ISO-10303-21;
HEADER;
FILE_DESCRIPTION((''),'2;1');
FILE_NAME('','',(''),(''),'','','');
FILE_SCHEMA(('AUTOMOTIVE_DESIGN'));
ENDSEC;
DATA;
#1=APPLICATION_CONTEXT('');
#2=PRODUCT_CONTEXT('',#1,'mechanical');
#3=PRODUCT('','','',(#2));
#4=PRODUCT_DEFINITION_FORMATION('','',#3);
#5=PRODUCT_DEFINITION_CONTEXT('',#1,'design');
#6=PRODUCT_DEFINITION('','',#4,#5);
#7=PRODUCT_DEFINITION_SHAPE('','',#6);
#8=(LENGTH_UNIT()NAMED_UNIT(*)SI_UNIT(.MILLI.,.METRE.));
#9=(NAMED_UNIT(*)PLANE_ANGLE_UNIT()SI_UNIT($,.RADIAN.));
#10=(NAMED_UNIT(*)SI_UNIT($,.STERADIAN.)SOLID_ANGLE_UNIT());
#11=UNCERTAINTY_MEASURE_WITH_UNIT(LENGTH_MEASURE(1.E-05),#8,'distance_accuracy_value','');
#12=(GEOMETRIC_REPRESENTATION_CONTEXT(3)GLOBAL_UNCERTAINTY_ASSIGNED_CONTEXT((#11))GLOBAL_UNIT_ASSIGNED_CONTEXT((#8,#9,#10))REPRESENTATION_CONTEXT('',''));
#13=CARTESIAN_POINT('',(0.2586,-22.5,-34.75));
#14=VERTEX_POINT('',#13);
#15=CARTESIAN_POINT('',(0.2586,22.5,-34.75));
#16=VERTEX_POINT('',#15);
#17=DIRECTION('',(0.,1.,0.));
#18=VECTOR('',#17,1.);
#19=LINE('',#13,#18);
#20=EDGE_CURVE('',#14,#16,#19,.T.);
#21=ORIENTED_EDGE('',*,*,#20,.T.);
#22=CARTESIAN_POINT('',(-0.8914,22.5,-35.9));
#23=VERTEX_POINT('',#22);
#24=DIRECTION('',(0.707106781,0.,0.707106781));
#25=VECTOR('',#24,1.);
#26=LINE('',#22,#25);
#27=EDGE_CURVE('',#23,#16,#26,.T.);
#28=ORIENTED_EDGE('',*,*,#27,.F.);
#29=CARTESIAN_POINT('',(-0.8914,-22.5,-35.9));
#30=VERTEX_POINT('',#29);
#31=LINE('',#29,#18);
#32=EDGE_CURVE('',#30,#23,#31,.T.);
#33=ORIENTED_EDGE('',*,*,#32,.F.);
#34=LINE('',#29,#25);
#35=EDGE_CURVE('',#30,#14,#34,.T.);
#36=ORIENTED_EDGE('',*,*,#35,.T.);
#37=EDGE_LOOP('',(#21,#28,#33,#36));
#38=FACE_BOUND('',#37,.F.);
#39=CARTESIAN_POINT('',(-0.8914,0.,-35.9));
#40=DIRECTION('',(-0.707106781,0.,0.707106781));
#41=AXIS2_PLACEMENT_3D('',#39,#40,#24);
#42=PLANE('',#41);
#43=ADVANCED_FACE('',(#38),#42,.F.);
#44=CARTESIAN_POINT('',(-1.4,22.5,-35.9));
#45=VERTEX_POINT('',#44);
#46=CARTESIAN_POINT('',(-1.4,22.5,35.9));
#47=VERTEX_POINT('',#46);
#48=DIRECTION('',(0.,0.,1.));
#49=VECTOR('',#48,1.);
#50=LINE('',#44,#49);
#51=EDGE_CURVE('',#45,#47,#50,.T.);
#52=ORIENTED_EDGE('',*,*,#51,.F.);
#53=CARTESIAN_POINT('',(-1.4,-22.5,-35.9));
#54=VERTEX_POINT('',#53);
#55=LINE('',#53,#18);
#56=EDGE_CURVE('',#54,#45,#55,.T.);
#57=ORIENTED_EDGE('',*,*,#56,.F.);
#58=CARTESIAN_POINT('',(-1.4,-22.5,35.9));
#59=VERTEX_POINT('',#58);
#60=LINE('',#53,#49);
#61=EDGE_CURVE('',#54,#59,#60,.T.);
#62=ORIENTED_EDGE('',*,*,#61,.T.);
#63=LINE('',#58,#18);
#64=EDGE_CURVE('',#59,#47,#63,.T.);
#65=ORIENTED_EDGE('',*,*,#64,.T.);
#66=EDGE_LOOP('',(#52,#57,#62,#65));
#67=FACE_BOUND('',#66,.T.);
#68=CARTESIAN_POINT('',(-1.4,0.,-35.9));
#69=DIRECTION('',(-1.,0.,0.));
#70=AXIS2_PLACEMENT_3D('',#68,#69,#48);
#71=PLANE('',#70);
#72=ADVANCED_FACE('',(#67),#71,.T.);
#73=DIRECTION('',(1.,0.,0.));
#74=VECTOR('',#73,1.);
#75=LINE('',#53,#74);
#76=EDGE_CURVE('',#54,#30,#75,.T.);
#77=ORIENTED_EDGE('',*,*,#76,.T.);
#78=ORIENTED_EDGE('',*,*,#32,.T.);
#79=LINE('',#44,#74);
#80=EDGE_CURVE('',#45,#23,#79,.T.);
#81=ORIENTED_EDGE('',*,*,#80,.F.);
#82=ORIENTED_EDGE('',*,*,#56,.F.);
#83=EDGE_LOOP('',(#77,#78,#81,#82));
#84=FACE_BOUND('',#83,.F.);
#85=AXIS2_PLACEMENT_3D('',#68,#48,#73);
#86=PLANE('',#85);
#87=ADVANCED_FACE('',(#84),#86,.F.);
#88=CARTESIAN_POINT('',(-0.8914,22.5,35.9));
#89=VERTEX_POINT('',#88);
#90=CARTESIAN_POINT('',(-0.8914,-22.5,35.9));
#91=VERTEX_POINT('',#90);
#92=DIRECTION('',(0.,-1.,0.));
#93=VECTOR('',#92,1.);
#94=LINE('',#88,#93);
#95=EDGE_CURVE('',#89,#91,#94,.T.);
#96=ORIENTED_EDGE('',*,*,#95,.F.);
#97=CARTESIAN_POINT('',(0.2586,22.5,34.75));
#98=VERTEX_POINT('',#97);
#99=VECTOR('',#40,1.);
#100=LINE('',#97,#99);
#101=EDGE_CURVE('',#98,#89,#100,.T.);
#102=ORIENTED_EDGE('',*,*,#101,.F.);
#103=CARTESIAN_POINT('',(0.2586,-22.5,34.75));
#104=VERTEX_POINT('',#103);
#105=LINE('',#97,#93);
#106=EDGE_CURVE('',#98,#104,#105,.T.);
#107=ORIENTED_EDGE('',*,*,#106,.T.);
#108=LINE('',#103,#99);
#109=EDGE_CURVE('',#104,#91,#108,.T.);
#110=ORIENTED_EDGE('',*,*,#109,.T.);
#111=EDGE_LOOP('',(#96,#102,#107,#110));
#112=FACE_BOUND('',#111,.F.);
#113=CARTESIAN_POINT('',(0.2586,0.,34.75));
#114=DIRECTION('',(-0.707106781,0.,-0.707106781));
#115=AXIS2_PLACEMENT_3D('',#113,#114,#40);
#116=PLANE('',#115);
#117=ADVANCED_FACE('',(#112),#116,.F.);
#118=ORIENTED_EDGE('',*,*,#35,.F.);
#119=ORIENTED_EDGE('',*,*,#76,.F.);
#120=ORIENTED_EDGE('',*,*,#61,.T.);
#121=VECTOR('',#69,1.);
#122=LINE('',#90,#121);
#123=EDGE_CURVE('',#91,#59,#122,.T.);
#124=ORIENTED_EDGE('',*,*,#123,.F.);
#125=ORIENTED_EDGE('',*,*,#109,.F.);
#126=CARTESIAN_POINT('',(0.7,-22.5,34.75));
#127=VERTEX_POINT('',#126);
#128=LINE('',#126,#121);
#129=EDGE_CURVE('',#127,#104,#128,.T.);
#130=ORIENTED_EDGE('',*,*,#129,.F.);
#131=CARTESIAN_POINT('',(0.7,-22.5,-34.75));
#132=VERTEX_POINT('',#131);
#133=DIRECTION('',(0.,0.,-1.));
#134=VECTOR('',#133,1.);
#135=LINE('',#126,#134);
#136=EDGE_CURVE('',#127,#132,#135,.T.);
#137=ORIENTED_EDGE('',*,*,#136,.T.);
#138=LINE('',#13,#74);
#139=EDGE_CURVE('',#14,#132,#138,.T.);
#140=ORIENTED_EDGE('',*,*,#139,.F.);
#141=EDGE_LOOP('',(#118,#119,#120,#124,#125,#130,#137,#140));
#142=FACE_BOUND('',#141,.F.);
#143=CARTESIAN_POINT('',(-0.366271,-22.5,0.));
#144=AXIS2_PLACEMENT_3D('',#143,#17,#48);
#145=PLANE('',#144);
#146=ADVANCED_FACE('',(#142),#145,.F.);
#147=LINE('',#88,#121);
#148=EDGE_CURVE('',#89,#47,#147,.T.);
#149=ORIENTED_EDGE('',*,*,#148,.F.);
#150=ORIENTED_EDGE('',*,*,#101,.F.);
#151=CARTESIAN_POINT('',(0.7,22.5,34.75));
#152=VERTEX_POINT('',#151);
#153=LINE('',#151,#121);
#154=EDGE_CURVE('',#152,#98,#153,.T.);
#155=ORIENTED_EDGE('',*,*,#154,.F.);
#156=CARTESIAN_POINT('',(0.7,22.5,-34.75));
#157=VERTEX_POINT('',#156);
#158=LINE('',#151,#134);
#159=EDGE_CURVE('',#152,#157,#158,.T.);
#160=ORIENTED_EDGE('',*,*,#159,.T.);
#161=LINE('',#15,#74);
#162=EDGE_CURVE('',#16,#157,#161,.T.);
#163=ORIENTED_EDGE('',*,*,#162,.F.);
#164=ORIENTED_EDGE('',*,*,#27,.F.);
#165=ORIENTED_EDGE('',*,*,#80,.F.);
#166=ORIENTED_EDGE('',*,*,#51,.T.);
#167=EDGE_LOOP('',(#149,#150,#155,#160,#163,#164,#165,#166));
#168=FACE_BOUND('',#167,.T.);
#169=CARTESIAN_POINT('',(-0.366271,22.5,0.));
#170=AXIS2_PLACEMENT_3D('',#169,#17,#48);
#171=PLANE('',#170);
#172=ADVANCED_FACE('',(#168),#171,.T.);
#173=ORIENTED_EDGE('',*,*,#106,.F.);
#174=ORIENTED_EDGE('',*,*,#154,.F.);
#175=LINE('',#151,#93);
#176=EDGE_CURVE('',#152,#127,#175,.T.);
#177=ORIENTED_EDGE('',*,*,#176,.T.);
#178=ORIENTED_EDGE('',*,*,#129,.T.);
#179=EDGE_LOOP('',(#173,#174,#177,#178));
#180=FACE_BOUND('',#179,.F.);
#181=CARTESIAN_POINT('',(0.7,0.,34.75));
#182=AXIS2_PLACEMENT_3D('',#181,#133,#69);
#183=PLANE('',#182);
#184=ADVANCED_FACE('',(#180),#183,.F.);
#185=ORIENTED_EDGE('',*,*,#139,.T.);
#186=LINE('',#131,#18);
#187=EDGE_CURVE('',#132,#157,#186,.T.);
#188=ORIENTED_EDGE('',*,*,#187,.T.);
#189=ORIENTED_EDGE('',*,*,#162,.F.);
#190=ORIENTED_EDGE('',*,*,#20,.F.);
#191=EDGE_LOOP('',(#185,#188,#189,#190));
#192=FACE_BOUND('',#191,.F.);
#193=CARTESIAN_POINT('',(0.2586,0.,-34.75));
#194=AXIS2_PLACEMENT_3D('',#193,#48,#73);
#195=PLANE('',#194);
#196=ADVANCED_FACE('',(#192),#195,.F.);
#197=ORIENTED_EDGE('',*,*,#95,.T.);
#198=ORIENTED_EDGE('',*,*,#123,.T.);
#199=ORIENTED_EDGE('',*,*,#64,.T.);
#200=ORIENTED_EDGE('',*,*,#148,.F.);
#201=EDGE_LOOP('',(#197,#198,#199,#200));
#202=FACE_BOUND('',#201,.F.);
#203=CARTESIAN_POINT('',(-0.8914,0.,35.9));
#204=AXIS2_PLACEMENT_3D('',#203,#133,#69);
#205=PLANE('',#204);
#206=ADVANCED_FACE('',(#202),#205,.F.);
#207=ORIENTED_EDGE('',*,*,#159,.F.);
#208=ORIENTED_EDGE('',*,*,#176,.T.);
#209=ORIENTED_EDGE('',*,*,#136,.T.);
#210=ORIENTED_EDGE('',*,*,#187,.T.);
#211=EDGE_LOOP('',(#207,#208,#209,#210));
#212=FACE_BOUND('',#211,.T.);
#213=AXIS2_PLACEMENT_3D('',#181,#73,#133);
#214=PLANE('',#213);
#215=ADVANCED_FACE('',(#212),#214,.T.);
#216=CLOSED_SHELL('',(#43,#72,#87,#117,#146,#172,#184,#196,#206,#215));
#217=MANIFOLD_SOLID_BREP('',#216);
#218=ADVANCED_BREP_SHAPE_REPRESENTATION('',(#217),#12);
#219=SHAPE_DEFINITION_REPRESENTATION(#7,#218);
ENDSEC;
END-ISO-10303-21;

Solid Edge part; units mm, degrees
sketch "Sketch1" plane through (0, 0, 0) normal (0, -1, 0) x (1, 0, 0)
  line L0 (0.7, 34.75) -> (0.7, -34.75)
  line L1 (0.2586, -34.75) -> (0.7, -34.75)
  line L2 (-0.8914, -35.9) -> (0.2586, -34.75)
  line L3 (-1.4, -35.9) -> (-0.8914, -35.9)
  line L4 (-1.4, -35.9) -> (-1.4, 35.9)
  line L5 (-0.8914, 35.9) -> (-1.4, 35.9)
  line L6 (0.2586, 34.75) -> (-0.8914, 35.9)
  line L7 (0.7, 34.75) -> (0.2586, 34.75)
  dimension "D1" = 69.5
  dimension "D2" = 1.4
  dimension "D3" = 2.1
  dimension "D4" = 69.5
  dimension "D5" = 0.25
  dimension "D6" = 0.25
extrude "Protrusion1" add sketch "Sketch1" along normal mid plane 45
